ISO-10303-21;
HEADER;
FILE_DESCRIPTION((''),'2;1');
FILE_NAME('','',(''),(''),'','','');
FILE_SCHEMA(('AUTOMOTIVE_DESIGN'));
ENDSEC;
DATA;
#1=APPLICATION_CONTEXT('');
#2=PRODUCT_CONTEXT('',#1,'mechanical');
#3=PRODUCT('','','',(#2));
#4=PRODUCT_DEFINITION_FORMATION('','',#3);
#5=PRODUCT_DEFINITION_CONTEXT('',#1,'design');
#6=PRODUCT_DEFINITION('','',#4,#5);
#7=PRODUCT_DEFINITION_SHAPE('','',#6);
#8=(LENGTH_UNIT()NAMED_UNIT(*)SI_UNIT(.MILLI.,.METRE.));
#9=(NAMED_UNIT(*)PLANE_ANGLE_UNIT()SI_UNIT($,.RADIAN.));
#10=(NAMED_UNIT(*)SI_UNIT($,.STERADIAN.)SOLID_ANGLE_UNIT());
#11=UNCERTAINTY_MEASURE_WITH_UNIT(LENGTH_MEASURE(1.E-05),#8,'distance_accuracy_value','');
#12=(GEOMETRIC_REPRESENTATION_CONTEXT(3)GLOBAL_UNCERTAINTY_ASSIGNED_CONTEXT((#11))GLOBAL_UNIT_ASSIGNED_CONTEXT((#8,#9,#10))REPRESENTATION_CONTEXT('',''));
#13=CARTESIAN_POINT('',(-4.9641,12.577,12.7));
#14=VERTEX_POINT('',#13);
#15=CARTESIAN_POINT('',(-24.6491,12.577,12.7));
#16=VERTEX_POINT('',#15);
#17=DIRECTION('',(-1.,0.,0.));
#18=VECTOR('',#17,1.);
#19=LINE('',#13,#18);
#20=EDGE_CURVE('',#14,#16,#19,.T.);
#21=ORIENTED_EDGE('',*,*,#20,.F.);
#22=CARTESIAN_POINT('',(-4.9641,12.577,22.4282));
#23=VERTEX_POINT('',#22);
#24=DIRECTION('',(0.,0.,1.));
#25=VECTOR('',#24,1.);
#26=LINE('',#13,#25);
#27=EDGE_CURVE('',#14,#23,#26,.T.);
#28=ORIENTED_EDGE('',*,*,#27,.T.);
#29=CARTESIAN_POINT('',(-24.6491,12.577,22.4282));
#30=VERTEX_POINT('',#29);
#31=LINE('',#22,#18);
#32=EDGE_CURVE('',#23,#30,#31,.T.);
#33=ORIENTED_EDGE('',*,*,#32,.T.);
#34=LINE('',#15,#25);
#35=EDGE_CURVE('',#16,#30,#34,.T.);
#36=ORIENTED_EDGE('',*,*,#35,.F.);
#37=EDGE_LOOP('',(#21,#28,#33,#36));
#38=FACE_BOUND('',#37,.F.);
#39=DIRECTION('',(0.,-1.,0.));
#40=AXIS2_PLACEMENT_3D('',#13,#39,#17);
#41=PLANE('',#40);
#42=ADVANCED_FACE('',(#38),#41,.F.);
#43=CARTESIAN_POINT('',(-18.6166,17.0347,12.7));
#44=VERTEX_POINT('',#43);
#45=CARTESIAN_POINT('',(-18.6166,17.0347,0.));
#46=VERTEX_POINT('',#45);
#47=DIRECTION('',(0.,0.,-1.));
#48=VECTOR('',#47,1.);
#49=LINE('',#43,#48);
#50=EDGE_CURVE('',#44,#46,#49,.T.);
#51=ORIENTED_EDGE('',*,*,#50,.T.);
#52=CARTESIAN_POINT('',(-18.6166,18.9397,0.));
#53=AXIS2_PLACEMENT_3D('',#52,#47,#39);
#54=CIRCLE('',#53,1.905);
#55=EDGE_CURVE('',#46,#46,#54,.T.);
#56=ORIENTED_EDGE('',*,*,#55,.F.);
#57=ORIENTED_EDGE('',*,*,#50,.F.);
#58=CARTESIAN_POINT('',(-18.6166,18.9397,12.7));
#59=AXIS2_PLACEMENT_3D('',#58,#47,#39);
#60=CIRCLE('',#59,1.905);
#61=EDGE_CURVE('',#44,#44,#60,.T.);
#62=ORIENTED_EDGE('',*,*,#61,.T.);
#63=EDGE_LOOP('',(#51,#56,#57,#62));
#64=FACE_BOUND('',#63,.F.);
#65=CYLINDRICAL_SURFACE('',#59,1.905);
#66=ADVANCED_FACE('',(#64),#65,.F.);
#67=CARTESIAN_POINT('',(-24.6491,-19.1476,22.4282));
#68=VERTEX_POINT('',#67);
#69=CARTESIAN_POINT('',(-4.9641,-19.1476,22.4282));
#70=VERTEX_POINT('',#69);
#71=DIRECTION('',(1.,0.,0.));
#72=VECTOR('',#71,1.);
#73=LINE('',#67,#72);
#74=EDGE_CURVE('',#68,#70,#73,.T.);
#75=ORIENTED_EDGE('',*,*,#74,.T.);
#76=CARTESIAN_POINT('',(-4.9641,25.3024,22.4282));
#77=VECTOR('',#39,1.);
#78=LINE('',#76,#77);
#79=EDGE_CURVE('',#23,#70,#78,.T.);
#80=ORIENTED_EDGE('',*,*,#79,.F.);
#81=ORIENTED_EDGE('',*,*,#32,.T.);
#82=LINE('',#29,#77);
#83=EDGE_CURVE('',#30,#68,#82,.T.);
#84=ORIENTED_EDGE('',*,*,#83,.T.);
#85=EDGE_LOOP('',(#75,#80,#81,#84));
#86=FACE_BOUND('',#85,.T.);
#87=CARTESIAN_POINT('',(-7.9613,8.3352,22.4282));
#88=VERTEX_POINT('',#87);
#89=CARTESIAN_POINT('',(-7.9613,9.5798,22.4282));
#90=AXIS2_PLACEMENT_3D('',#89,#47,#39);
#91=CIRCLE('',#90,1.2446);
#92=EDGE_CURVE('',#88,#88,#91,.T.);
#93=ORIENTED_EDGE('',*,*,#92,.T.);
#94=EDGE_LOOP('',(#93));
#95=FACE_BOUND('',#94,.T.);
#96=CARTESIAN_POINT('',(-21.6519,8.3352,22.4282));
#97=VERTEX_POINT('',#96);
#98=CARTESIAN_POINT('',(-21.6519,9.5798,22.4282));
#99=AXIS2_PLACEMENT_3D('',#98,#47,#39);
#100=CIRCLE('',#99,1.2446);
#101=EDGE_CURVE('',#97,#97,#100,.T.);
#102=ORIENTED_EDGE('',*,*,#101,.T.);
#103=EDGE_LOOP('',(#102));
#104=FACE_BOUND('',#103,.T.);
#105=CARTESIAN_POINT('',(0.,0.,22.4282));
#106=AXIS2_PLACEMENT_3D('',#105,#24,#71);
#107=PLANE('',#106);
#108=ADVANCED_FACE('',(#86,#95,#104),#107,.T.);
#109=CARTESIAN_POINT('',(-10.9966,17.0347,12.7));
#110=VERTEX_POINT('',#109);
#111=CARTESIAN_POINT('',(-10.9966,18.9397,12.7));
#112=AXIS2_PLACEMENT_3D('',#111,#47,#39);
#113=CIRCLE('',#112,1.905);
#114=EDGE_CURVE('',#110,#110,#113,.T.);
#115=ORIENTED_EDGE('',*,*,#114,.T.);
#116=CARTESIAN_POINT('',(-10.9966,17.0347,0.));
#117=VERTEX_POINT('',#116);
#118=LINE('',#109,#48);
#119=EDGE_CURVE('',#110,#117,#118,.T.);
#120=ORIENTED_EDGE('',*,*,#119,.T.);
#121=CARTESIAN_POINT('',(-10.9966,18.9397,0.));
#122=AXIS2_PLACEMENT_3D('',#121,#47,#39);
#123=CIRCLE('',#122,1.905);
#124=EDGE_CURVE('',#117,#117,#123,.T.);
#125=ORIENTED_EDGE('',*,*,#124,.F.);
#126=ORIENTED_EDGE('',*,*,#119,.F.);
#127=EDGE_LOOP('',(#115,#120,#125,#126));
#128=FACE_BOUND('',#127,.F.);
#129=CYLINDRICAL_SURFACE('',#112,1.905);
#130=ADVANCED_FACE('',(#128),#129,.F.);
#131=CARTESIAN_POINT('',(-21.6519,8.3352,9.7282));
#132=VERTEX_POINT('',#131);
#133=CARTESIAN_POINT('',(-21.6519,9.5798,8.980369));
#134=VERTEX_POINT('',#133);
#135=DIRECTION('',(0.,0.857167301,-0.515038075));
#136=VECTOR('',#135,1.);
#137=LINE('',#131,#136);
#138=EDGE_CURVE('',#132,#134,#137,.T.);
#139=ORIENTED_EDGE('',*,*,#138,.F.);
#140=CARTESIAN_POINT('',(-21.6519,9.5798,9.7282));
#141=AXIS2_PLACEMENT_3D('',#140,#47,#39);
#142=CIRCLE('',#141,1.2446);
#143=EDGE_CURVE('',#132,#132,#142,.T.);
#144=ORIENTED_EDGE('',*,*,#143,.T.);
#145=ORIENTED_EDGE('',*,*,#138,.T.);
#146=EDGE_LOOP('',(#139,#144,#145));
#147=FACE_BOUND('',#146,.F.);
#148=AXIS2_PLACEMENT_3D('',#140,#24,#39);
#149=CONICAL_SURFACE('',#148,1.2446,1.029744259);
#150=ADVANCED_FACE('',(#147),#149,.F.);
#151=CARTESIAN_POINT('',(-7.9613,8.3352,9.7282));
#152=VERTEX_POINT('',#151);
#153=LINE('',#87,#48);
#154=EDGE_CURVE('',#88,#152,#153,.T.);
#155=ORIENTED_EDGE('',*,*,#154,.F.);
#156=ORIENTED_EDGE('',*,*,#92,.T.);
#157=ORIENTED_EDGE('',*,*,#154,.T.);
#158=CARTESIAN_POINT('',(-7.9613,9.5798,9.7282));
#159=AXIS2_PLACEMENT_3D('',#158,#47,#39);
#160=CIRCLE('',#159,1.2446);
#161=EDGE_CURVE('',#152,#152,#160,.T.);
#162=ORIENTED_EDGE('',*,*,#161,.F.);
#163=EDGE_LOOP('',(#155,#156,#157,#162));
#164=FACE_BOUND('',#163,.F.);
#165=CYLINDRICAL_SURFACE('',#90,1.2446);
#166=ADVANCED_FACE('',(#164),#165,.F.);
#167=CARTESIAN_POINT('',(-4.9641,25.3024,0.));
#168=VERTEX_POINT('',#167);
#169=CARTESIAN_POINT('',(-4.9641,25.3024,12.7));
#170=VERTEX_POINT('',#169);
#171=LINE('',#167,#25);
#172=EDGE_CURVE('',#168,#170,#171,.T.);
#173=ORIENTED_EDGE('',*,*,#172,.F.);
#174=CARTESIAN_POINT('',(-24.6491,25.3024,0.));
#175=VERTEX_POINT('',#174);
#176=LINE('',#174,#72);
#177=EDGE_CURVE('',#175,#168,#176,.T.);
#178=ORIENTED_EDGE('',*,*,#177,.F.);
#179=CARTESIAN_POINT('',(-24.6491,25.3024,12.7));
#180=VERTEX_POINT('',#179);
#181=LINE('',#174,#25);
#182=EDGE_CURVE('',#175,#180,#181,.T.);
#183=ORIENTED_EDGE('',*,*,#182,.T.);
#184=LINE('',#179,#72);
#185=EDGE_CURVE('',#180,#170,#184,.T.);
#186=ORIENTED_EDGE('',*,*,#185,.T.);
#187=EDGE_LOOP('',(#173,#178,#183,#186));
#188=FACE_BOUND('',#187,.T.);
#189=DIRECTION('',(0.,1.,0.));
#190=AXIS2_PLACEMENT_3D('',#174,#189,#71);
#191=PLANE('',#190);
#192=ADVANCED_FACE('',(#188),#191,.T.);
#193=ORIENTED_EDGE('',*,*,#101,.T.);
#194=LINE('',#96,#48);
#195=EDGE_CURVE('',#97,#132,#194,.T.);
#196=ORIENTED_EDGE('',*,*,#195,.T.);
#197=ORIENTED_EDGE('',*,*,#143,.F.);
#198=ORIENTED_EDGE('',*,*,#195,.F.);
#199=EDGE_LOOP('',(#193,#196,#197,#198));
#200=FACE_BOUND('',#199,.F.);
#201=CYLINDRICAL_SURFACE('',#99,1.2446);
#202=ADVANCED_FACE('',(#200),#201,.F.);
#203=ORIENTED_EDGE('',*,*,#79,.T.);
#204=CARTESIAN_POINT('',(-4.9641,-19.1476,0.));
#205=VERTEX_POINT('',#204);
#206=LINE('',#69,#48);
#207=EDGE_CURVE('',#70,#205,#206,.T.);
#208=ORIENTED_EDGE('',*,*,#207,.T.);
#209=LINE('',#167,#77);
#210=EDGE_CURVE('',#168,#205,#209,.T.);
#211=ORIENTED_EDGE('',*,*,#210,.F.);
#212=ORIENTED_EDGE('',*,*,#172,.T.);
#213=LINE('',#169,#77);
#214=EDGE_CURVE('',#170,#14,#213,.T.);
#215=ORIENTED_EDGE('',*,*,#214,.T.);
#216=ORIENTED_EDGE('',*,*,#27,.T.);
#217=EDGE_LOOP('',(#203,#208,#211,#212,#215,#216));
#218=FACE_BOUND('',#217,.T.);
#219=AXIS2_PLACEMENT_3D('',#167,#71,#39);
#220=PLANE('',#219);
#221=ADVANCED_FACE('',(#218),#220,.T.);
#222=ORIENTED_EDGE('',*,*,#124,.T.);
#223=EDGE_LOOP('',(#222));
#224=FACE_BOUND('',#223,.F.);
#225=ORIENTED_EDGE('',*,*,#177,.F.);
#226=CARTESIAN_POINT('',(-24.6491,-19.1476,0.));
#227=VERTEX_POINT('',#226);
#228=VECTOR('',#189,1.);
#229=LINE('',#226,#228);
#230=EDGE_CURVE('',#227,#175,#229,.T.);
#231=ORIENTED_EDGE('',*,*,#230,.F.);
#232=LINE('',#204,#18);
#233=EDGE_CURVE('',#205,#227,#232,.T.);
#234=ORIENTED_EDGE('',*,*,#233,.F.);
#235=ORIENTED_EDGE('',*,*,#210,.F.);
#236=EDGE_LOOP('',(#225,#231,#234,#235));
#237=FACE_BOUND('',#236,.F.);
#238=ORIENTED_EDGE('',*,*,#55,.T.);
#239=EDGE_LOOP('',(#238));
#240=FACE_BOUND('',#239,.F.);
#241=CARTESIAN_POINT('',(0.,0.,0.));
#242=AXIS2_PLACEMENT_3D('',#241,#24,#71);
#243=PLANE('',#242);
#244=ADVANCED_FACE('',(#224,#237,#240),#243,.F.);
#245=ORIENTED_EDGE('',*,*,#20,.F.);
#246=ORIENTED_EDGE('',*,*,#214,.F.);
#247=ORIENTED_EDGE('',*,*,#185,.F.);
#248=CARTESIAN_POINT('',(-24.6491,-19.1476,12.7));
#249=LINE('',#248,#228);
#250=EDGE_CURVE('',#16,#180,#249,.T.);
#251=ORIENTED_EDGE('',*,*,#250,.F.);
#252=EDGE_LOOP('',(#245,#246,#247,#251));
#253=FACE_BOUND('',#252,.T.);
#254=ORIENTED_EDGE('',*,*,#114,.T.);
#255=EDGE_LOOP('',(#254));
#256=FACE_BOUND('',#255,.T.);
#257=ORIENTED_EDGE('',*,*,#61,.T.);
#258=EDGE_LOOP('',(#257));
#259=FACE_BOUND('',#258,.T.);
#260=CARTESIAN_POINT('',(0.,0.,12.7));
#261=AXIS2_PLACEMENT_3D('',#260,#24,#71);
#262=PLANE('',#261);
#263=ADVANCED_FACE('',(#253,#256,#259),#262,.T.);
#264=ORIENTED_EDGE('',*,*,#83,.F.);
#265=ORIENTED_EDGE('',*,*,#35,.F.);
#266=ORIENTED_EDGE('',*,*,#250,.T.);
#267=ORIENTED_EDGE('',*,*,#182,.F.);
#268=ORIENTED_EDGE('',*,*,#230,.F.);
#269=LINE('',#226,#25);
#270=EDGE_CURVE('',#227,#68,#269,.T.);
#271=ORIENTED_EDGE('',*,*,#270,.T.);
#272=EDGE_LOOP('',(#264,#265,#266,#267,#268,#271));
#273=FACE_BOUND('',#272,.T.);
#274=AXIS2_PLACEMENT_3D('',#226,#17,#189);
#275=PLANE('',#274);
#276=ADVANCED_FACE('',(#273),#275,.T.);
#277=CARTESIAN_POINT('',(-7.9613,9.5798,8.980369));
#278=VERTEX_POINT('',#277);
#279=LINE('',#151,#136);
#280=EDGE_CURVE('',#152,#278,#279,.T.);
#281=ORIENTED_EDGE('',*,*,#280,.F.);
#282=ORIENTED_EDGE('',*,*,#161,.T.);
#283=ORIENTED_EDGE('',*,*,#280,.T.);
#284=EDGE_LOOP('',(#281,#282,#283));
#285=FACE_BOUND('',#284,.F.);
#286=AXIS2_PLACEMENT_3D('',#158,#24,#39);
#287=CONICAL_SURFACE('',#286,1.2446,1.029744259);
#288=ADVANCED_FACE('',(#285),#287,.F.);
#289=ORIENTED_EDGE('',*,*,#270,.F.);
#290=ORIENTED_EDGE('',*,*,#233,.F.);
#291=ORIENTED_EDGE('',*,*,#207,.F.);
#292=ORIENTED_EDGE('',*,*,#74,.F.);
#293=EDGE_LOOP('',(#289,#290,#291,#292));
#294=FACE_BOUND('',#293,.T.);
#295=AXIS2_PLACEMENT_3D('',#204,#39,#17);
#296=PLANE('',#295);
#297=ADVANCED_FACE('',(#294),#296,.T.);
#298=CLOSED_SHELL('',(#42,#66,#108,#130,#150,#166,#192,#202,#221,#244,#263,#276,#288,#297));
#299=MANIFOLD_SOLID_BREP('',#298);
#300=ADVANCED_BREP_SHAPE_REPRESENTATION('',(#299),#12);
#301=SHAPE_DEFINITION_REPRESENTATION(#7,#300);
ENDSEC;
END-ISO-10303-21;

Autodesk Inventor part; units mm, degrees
ref_plane "YZ Plane" through (0, 0, 0) normal (1, 0, 0) x (0, 1, 0)
ref_plane "XZ Plane" through (0, 0, 0) normal (0, 1, 0) x (-1, 0, 0)
ref_plane "XY Plane" through (0, 0, 0) normal (0, 0, 1) x (1, 0, 0)
sketch "Sketch1" plane through (0, 0, 0) normal (0, 0, 1) x (1, 0, 0)
  line L0 (-24.6491, 25.3024) -> (-4.9641, 25.3024)
  line L1 (-4.9641, 25.3024) -> (-4.9641, -19.1476)
  line L2 (-4.9641, -19.1476) -> (-24.6491, -19.1476)
  line L3 (-24.6491, -19.1476) -> (-24.6491, 25.3024)
  point P0 (0, 0)
  dimension "d0" = 19.685
  dimension "d1" = 44.45
extrude "Extrusion1" add sketch "Sketch1" along normal blind 12.7
sketch "Sketch2" plane through (0, 0, 12.7) normal (0, 0, 1) x (1, 0, 0)
  line L0 (-4.9641, 25.3024) -> (-4.9641, -19.1476) projected
  line L1 (-24.6491, -19.1476) -> (-4.9641, -19.1476)
  line L2 (-4.9641, -19.1476) -> (-4.9641, 12.577)
  line L3 (-4.9641, 12.577) -> (-24.6491, 12.577)
  line L4 (-24.6491, 12.577) -> (-24.6491, -19.1476)
  point P0 (0, 0)
  dimension "d4" = 31.7246
extrude "Extrusion2" add sketch "Sketch2" along normal blind 9.7282
sketch "Sketch3" plane through (0, 0, 22.4282) normal (0, 0, 1) x (1, 0, 0)
  line L0 (-24.6491, 12.577) -> (-4.9641, 12.577) projected
  line L1 (-4.9641, 12.577) -> (-7.9613, 12.577)
  line L2 (-7.9613, 12.577) -> (-7.9613, 9.5798)
  line L3 (-24.6491, 12.577) -> (-21.6519, 12.577)
  line L4 (-21.6519, 12.577) -> (-21.6519, 9.5798)
  point P0 (0, 0)
  dimension "d7" = 2.9972
  dimension "d8" = 2.9972
  dimension "d9" = 2.9972
  dimension "d10" = 2.9972
hole "Hole1" at (-21.6519, 9.5798, 22.4282) at (-7.9613, 9.5798, 22.4282) direction (0, 0, -1) diameter 2.4892 depth 12.7 tip angle 118
sketch "Sketch4" plane through (0, 0, 12.7) normal (0, 0, 1) x (1, 0, 0)
  line L0 (-24.6491, 12.577) -> (-4.9641, 12.577) projected
  line L1 (-24.6491, 25.3024) -> (-4.9641, 25.3024) projected
  line L2 (-14.8066, 25.3024) -> (-14.8066, 12.577)
  line L3 (-14.8066, 18.9397) -> (-10.9966, 18.9397)
  line L4 (-14.8066, 18.9397) -> (-18.6166, 18.9397)
  point P0 (0, 0)
  dimension "d18" = 3.81
  dimension "d19" = 3.81
hole "Hole2" at (-10.9966, 18.9397, 12.7) at (-18.6166, 18.9397, 12.7) direction (0, 0, -1) diameter 3.81 depth 12.7 tip angle 118 clearance for "Flat Head Machine Screw (82)" size "#6" standard "Ansi Unified Screw Threads"
properties part number "X+Z axis home sensor block"
